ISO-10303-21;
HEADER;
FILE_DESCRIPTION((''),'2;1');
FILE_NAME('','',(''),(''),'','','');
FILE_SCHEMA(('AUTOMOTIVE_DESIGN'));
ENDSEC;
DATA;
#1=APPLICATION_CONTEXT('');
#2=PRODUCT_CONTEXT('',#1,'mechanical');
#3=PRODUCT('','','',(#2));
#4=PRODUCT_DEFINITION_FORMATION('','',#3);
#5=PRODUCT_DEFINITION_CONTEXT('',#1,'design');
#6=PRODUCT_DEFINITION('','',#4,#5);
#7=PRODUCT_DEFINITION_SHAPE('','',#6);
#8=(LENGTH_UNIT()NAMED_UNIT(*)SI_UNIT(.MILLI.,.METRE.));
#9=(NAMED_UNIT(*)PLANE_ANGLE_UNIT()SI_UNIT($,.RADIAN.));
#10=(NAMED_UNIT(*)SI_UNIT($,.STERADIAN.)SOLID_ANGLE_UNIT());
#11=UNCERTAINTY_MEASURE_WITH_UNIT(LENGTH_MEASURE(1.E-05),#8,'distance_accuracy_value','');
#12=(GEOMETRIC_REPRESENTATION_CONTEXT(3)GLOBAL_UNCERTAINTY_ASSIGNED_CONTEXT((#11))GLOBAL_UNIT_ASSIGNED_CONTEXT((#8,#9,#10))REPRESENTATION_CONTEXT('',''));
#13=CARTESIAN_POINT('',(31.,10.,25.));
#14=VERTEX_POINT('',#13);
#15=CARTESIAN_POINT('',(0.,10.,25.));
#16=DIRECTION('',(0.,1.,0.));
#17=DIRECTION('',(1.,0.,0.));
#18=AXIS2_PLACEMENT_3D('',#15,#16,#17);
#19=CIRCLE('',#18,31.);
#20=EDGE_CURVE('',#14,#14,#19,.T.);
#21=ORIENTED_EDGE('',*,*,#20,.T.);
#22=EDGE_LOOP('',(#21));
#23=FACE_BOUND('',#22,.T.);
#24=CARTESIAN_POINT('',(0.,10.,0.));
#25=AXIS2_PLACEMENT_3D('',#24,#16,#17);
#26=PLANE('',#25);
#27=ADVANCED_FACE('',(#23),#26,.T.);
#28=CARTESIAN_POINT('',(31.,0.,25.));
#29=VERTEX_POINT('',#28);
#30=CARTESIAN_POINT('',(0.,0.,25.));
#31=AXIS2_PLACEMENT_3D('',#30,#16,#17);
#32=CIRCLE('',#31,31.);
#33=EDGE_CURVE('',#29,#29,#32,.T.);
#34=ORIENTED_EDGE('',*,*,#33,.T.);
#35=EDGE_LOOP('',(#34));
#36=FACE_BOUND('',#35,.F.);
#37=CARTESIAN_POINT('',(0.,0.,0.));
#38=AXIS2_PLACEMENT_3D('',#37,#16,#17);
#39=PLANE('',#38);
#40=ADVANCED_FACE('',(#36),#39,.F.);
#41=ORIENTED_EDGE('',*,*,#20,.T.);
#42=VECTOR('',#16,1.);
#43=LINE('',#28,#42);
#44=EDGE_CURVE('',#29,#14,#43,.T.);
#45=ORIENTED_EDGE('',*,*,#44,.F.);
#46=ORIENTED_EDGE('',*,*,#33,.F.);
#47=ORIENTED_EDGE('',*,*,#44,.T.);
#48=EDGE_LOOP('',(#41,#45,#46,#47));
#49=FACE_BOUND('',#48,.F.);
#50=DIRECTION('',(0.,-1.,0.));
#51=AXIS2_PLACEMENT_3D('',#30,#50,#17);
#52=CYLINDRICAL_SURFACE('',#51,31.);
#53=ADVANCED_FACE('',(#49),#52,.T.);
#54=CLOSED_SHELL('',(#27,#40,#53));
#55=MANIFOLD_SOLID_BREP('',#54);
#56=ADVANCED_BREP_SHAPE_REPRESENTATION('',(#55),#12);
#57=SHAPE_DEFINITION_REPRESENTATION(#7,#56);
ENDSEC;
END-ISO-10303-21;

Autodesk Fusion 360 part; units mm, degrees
sketch "62mm" plane through (0, 0, 0) normal (0, 1, 0) x (1, 0, 0)
  circle A0 centre (0, -25) radius 31
  dimension "d1" = 62
extrude "Extrude1" add sketch "62mm" along normal blind 10
